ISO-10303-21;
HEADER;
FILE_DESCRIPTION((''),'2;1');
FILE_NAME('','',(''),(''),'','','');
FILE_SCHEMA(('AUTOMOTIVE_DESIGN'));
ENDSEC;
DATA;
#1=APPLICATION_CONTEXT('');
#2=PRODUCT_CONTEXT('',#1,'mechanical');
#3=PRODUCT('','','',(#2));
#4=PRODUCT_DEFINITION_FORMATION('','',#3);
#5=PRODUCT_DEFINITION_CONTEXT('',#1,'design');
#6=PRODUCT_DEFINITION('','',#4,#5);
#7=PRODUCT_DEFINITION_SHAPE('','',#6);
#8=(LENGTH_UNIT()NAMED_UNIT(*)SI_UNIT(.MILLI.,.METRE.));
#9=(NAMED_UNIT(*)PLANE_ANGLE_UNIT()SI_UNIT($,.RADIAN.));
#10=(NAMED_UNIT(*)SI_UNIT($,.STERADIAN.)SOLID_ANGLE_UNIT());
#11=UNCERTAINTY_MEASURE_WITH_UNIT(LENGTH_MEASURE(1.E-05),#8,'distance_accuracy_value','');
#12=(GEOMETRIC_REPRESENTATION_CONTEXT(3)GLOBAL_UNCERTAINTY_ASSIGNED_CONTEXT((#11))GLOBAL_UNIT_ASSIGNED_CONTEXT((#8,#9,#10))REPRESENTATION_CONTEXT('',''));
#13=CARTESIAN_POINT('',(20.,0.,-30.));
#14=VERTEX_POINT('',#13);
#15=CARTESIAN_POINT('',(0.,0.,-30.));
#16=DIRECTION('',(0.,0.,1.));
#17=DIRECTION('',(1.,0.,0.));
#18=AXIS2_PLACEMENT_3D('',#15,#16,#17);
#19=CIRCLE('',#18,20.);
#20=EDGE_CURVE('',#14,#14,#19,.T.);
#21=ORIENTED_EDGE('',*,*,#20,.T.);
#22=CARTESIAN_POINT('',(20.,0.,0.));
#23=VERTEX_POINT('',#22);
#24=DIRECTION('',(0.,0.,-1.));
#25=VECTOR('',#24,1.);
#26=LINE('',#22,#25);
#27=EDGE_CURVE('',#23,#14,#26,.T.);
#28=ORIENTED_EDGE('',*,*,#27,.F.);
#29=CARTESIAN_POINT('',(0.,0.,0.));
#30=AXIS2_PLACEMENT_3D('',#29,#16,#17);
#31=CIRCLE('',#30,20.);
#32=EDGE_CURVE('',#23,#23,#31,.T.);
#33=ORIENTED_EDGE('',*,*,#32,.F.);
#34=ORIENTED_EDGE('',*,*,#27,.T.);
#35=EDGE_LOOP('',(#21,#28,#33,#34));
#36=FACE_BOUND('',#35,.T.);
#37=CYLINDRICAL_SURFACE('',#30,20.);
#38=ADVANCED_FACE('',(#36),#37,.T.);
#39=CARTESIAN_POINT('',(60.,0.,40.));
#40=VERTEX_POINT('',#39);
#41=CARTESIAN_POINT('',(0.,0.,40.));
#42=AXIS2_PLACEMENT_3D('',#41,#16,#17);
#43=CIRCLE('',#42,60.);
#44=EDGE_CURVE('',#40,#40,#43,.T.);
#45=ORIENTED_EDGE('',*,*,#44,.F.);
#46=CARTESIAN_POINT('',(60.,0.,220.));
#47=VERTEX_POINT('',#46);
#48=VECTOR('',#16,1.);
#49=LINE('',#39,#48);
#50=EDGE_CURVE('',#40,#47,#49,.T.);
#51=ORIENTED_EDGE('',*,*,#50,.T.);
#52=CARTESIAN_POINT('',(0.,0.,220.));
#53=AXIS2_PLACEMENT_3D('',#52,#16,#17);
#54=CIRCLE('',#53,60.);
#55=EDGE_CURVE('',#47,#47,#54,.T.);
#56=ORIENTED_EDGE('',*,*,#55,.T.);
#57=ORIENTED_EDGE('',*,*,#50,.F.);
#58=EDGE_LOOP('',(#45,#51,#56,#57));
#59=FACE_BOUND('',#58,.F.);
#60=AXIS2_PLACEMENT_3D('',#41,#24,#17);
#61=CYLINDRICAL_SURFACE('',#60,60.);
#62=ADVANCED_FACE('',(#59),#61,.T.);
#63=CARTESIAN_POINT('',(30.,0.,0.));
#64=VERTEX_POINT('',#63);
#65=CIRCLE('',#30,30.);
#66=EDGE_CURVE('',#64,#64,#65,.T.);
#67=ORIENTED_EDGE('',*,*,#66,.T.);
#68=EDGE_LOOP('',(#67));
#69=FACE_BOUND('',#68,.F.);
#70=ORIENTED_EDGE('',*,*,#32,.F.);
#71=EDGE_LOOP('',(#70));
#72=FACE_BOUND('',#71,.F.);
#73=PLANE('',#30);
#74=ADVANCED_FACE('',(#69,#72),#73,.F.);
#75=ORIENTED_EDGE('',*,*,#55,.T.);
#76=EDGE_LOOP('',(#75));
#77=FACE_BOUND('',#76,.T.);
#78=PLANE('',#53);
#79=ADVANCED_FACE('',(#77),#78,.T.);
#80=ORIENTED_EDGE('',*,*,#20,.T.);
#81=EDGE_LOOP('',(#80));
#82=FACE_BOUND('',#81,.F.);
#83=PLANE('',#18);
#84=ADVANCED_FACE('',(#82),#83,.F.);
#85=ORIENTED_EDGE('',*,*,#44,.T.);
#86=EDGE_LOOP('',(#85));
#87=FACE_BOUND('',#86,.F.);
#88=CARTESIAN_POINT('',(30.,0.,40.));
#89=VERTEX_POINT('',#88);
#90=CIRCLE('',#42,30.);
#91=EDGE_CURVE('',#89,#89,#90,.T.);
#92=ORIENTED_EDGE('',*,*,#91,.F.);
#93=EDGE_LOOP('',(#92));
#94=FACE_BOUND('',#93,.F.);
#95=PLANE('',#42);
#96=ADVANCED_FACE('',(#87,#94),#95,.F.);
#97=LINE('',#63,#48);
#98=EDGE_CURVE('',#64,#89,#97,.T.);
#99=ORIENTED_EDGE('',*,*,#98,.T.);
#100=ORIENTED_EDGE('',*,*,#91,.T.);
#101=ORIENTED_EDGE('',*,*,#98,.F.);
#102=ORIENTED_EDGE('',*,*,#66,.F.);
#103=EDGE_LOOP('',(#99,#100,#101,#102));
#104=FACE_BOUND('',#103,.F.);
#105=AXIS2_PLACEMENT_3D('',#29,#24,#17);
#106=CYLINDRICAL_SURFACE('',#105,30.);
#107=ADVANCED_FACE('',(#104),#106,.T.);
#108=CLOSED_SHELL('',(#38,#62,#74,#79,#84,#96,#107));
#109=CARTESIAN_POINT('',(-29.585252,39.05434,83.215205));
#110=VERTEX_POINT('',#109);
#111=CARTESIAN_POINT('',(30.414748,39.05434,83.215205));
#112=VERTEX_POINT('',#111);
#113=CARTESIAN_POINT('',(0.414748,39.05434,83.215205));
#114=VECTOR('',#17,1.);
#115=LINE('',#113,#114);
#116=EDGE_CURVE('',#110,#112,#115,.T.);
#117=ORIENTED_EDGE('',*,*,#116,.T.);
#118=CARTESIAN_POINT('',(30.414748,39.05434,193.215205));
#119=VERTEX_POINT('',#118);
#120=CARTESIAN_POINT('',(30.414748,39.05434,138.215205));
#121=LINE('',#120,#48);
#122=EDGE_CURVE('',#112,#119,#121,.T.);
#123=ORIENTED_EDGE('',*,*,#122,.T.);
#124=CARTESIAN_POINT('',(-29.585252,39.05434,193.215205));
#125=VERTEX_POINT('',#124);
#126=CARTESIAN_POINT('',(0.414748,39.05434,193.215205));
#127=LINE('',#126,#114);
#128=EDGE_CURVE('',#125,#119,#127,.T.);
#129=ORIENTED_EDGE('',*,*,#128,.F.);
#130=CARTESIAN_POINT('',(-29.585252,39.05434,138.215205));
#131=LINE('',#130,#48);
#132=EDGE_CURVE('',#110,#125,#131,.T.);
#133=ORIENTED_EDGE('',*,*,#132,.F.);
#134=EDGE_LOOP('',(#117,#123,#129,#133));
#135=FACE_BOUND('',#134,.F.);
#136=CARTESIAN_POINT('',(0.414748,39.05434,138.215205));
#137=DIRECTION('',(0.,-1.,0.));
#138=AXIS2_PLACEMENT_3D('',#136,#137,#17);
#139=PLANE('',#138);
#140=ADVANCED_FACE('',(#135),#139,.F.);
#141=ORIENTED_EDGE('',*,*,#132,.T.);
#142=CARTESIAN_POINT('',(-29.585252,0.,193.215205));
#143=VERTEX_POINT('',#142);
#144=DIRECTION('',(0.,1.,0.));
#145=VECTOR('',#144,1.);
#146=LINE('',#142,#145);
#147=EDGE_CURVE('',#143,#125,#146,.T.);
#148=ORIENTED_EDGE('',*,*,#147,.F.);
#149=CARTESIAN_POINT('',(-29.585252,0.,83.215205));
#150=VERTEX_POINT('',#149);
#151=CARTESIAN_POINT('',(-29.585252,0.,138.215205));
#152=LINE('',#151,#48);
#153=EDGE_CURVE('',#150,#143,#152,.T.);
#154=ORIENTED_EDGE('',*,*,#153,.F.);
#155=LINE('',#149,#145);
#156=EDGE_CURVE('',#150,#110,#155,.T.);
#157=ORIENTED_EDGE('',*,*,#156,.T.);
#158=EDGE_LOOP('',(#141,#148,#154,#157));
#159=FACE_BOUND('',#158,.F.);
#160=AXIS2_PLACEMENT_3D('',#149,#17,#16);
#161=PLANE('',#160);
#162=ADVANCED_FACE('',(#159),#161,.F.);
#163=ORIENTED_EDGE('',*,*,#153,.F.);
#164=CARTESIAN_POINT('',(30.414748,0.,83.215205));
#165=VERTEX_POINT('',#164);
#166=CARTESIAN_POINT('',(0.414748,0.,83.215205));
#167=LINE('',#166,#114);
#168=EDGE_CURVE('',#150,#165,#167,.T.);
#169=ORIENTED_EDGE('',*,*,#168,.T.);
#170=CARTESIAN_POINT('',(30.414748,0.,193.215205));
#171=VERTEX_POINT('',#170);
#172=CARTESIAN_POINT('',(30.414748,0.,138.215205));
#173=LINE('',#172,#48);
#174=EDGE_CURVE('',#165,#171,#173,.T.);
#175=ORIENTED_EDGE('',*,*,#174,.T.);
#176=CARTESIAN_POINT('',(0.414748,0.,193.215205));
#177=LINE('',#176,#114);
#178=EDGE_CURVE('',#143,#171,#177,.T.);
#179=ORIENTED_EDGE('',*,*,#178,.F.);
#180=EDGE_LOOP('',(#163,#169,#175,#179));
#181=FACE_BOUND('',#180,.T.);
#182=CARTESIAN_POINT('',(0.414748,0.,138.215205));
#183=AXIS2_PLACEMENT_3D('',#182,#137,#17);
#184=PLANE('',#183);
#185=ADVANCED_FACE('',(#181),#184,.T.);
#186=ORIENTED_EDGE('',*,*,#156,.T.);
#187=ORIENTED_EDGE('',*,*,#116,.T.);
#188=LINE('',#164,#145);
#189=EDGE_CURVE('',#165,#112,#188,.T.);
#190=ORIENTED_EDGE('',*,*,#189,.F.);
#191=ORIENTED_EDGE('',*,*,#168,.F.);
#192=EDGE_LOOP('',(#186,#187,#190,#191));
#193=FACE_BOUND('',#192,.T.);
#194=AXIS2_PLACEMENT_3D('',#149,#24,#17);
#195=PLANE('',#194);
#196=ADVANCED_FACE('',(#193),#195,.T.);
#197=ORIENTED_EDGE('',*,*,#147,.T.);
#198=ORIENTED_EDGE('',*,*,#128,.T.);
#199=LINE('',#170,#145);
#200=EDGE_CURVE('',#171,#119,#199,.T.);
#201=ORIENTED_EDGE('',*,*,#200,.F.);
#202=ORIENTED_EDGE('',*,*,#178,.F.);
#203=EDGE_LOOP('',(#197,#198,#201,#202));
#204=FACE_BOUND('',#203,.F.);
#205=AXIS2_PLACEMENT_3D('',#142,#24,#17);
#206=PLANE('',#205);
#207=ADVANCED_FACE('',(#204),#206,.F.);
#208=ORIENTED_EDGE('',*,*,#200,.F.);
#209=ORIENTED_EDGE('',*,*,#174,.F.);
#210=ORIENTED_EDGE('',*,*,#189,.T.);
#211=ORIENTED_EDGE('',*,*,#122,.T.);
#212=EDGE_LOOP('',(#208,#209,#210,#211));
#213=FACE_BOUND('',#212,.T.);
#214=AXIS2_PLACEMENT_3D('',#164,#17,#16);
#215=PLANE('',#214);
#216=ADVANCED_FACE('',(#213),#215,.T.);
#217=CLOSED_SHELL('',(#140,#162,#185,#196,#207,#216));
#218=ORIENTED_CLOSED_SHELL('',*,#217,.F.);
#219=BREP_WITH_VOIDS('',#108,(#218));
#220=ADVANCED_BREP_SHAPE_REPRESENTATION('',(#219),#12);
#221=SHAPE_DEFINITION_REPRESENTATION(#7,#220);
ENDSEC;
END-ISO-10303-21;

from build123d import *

# Parameters (mm, degrees)
F0_R     = 20
F1_DEPTH = 30
F2_R     = 30
F3_DEPTH = 40
F4_R     = 60
F5_DEPTH = 180
F6_W     = 60
F6_H     = 110
F7_DEPTH = 39.05434


with BuildPart() as f1:
    # F0 (on Top) → F1 (new body)
    with BuildSketch(Plane.XY):
        Circle(F0_R)
    extrude(amount=-F1_DEPTH)

    # F2 (on Top) → F3 (join)
    with BuildSketch(Plane.XY):
        Circle(F2_R)
    extrude(amount=F3_DEPTH)

    # F4 (on face) → F5 (join)
    with BuildSketch(Plane.XY.offset(40)):
        Circle(F4_R)
    extrude(amount=F5_DEPTH)

    # F6 (on Front) → F7 (cut)
    with BuildSketch(Plane.XZ):
        with Locations((0.414748, 138.215205)):
            Rectangle(F6_W, F6_H)
    extrude(amount=-F7_DEPTH, mode=Mode.SUBTRACT)


solid = f1.part
